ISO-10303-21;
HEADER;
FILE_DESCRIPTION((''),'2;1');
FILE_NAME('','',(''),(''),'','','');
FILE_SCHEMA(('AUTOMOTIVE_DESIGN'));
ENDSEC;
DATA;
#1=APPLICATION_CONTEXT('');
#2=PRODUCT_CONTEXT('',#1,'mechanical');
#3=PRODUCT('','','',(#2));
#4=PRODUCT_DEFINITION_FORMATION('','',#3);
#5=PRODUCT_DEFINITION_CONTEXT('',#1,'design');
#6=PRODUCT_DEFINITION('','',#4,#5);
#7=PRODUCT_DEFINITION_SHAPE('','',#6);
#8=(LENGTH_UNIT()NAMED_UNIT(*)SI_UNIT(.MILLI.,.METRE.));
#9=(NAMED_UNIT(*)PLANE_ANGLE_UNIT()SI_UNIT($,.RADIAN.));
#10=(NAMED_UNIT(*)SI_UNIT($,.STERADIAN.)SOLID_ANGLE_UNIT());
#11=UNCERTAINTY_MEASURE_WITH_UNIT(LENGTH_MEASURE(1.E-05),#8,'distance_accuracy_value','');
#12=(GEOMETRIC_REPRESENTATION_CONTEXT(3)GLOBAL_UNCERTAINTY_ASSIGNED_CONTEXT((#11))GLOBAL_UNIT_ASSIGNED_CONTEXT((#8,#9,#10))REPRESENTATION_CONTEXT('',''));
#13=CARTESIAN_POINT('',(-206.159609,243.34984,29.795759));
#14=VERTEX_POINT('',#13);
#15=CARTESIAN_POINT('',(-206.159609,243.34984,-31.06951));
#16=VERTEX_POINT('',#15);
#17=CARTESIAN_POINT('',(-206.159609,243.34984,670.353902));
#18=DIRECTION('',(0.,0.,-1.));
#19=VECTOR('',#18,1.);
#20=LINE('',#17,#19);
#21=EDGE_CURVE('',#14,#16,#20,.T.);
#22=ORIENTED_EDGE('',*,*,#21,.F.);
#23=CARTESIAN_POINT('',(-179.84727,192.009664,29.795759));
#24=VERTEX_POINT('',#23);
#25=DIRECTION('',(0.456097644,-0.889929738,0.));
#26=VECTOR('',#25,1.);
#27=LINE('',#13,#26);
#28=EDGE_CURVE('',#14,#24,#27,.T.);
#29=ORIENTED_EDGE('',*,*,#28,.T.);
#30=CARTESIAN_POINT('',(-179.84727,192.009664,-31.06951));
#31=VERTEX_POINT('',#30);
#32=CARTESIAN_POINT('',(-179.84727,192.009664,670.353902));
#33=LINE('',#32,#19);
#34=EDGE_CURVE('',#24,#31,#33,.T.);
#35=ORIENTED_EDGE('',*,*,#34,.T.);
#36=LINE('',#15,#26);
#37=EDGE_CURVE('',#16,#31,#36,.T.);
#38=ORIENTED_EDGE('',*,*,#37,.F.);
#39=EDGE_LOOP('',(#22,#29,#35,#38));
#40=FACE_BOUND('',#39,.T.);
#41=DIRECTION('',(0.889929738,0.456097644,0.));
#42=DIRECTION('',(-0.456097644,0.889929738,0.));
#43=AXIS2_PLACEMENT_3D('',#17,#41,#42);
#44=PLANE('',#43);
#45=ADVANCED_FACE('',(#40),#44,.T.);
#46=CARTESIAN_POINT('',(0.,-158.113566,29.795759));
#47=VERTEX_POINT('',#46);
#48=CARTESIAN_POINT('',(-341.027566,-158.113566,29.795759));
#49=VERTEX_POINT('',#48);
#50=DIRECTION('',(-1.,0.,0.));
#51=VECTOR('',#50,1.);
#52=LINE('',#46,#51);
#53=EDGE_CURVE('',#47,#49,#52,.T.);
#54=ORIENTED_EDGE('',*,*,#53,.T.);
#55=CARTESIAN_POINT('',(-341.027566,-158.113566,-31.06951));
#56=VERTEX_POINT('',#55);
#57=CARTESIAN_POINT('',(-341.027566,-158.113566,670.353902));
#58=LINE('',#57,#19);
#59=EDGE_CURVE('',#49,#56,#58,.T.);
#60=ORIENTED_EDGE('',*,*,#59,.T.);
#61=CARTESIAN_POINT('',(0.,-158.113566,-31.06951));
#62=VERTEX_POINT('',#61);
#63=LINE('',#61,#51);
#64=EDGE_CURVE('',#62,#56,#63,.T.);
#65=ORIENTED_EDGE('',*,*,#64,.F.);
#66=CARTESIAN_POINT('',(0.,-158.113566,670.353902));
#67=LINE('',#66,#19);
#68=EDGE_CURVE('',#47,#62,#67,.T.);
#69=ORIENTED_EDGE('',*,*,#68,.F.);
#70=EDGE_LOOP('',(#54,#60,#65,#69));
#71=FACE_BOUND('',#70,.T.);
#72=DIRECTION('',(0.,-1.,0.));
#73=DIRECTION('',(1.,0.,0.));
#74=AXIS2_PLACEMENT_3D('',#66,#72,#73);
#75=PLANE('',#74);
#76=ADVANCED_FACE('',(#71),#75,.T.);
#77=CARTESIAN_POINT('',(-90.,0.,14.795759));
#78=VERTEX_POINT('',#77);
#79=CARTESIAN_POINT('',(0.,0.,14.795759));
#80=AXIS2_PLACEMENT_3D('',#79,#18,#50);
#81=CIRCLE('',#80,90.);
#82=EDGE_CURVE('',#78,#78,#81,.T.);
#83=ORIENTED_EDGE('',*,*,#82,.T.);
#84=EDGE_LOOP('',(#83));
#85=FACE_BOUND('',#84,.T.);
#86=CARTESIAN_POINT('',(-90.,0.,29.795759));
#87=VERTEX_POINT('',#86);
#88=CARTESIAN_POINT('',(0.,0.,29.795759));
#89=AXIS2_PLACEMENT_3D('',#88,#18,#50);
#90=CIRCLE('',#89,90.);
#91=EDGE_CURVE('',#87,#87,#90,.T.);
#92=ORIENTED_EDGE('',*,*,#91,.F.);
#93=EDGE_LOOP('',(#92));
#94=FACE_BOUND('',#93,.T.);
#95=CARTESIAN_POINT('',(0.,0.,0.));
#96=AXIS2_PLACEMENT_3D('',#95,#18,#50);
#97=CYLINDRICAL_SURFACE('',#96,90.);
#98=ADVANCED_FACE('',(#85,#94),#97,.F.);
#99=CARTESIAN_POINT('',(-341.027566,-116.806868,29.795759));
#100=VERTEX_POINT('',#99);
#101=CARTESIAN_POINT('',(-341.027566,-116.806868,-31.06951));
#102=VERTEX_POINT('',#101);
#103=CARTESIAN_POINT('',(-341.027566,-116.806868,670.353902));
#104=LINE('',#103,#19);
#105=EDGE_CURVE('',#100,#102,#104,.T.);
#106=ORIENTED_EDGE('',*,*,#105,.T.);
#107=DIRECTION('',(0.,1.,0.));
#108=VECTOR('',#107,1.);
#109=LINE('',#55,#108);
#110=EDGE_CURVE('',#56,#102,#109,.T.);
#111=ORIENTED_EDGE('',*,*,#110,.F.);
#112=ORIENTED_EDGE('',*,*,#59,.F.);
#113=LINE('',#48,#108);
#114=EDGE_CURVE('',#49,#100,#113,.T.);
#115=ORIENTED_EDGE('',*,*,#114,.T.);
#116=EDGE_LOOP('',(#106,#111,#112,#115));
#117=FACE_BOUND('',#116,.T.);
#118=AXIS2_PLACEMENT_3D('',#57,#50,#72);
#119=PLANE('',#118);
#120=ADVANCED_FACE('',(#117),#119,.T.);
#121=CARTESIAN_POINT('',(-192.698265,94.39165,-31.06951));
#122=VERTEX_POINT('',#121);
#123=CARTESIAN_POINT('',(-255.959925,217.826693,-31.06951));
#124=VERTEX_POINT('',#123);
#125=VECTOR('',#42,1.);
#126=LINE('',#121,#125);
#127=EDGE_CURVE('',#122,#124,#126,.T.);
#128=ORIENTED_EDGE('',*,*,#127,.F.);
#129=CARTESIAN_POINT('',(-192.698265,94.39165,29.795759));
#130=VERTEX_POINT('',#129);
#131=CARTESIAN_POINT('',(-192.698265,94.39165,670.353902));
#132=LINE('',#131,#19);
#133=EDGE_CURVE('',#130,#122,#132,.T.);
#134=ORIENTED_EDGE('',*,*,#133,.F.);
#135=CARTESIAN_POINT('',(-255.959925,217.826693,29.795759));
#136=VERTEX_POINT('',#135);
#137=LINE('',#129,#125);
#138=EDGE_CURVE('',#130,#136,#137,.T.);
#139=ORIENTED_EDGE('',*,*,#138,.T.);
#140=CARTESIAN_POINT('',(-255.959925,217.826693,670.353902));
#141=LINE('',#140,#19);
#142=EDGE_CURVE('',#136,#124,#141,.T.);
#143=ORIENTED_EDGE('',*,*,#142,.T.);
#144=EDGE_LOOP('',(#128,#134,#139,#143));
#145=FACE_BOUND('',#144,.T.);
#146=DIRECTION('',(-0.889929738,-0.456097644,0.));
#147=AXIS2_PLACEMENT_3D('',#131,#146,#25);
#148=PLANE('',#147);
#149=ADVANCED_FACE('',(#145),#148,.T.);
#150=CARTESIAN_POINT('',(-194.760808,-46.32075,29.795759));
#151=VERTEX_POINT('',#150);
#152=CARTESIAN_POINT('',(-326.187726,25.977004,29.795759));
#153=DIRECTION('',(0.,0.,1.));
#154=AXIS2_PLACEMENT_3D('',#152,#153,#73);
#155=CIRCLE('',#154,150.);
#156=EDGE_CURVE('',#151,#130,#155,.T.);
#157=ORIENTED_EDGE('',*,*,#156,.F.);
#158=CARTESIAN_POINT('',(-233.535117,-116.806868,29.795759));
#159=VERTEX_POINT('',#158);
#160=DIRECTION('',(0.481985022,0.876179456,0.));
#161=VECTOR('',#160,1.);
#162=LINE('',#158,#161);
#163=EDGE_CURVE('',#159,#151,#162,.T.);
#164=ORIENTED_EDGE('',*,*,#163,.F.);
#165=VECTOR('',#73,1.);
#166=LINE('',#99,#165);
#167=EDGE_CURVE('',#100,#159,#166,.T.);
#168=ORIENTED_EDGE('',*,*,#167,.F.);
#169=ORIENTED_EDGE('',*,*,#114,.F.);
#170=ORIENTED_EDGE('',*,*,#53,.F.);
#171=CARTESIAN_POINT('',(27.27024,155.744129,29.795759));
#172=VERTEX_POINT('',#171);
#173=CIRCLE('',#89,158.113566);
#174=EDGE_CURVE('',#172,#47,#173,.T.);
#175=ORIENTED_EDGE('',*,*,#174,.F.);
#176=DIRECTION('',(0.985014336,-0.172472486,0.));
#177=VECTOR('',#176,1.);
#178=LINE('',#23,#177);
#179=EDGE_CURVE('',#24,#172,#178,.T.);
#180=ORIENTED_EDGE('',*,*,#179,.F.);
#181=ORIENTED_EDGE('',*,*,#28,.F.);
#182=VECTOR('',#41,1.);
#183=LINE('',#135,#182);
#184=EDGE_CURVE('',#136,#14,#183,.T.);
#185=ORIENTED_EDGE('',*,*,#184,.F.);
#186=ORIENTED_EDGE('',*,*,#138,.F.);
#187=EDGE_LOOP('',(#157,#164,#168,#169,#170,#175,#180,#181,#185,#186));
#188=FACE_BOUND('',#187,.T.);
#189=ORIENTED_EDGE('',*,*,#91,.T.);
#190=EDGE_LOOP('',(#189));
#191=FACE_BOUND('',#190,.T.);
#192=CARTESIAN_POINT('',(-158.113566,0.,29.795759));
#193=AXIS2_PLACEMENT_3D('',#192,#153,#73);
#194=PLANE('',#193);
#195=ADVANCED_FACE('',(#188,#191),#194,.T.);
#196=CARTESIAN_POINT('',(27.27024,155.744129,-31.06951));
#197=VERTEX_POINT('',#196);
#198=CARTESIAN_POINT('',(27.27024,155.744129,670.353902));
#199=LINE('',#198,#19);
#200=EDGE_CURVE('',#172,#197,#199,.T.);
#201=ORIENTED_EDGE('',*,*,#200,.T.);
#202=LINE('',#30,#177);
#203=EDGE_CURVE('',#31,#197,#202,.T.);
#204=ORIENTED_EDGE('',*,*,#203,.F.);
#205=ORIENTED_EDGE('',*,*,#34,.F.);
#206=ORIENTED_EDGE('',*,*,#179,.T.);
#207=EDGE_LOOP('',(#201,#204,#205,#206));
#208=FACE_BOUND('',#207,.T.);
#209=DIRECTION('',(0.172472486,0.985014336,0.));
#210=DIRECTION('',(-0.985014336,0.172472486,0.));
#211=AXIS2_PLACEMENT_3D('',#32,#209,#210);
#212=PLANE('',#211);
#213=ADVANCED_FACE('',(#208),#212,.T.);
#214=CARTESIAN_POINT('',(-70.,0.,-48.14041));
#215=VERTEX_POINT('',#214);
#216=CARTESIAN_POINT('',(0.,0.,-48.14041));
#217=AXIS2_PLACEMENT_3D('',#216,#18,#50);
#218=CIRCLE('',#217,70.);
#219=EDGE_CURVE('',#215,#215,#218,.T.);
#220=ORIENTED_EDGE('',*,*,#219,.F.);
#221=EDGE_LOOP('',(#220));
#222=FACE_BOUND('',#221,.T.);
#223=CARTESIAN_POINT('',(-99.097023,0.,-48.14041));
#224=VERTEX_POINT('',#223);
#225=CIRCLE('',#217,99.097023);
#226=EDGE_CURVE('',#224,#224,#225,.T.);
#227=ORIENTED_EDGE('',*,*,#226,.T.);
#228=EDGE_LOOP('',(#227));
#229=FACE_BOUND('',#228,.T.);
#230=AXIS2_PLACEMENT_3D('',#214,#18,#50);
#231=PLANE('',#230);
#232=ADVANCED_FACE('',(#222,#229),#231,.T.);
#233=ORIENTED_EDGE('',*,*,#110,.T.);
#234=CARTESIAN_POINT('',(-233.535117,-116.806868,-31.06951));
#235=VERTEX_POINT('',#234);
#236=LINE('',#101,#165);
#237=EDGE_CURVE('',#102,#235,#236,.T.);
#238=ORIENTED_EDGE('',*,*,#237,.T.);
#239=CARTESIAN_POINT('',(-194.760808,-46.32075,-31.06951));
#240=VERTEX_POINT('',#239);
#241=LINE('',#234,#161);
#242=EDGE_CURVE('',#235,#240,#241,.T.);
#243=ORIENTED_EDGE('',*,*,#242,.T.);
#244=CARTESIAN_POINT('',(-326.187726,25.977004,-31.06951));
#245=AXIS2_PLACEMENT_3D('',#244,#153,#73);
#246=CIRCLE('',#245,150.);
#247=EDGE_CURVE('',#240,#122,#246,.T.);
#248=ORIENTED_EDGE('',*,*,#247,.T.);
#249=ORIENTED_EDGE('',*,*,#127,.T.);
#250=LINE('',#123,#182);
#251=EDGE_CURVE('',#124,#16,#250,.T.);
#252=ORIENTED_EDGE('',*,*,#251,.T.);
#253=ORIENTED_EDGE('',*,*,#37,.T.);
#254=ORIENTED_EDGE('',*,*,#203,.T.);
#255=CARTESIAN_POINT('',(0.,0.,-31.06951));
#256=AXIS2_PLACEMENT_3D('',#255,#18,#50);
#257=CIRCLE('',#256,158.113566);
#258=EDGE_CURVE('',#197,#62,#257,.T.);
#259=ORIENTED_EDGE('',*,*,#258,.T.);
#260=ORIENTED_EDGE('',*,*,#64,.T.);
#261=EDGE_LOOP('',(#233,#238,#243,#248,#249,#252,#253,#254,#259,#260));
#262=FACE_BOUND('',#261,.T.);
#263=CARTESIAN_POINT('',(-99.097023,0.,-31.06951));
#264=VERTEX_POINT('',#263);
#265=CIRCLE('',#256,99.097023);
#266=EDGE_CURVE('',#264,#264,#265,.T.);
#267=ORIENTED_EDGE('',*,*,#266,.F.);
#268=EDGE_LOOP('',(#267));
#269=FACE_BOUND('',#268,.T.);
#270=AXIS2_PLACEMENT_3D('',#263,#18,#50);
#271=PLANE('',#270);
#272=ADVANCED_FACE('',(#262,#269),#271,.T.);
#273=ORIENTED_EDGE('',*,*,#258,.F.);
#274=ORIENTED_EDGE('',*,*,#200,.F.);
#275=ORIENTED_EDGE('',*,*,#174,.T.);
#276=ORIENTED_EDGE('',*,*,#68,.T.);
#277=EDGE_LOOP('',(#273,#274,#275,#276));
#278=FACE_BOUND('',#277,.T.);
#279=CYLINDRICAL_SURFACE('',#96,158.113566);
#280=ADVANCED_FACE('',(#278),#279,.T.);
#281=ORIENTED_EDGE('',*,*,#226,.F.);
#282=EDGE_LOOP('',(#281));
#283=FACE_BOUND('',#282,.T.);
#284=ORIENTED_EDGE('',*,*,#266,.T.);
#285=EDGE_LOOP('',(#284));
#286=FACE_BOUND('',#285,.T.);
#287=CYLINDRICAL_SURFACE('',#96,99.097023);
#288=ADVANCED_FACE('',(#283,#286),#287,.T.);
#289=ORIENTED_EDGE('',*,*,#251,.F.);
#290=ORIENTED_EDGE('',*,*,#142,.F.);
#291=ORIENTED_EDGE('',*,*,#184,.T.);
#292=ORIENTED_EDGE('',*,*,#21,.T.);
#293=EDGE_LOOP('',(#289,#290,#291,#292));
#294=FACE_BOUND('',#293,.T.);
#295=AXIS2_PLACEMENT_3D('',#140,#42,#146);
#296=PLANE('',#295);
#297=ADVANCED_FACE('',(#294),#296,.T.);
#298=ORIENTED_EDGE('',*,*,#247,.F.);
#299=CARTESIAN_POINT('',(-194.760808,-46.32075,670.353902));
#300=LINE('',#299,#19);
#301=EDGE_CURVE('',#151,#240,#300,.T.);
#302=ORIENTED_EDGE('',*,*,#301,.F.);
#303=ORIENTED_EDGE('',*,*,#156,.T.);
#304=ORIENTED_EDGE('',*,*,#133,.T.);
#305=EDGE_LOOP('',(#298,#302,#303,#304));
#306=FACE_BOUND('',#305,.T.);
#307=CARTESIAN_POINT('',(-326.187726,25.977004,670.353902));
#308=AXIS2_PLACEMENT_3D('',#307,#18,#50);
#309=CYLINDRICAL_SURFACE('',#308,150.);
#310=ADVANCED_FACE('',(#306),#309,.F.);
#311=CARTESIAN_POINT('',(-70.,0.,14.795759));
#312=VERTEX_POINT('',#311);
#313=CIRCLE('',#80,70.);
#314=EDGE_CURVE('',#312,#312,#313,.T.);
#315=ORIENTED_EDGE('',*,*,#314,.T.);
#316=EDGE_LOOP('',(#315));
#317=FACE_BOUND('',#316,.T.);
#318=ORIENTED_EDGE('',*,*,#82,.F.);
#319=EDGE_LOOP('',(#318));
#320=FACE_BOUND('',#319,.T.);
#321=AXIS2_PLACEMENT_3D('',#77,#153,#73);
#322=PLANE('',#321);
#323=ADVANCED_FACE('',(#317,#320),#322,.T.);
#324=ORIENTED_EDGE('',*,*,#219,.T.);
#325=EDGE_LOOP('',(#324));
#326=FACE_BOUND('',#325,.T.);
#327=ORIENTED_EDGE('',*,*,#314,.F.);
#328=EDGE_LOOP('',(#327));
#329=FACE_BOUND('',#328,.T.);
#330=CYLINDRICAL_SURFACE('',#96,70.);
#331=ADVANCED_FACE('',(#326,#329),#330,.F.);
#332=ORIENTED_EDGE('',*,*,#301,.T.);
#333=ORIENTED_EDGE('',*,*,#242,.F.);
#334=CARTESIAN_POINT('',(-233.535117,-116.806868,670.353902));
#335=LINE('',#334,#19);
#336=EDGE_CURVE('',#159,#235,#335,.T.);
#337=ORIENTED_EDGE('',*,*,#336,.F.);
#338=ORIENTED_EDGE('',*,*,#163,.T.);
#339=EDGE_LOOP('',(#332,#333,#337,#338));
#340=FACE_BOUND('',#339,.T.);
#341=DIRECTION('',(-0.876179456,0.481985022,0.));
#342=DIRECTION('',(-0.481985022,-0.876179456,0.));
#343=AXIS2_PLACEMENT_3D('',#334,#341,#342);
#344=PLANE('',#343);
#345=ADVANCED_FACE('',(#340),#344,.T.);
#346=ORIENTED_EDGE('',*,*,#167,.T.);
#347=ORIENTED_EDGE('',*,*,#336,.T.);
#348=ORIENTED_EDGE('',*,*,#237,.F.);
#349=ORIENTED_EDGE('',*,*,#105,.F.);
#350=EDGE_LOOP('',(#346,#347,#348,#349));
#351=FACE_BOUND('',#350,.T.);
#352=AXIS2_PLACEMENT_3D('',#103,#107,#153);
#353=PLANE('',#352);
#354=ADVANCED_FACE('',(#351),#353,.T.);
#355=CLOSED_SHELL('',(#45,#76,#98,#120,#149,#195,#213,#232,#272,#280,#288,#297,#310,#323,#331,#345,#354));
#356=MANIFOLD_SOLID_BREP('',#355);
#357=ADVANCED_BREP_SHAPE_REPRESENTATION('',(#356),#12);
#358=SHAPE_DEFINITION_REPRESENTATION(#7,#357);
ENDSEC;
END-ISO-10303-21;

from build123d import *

# Parameters (mm, degrees)
SKETCH2_R           = 90
BOSS_EXTRUDE1_DEPTH = 60.865268403


with BuildPart() as part:
    # Sketch1 → Revolve1 (revolve)
    with BuildSketch(Plane(origin=(0, 0, 0), x_dir=(1, 0, 0), z_dir=(0, 1, 0))):
        Polygon((-90, -29.79575879), (-90, -14.79575879), (-70, -14.79575879), (-70, 48.140410311), (-99.097023169, 48.140410311), (-99.097023169, 31.069509613), (-158.113565582, 31.069509613), (-158.113565582, -29.79575879), align=None)
    revolve(axis=Axis((0, 0, 0), (0, 0, 1)))

    # Sketch2 → Boss-Extrude1 (add)
    with BuildSketch(Plane(origin=(0, 0, -31.069509613), x_dir=(-1, 0, 0), z_dir=(0, 0, -1))):
        with BuildLine():
            Line((0, -158.113565582), (341.027566012, -158.113565582))
            Line((341.027566012, -158.113565582), (341.027566012, -116.806868092))
            Line((341.027566012, -116.806868092), (233.535117418, -116.806868092))
            Line((233.535117418, -116.806868092), (194.760807878, -46.320749515))
            ThreePointArc((194.760807878, -46.320749515), (176.203837582, 23.778561234), (192.69826547, 94.391650408))
            Line((192.69826547, 94.391650408), (255.959925105, 217.8266932))
            Line((255.959925105, 217.8266932), (206.159608852, 243.349839506))
            Line((206.159608852, 243.349839506), (179.847269567, 192.009663729))
            Line((179.847269567, 192.009663729), (-27.270239804, 155.744128756))
            ThreePointArc((-27.270239804, 155.744128756), (-157.520092587, -13.686491605), (0, -158.113565582))
        make_face()
        Circle(SKETCH2_R, mode=Mode.SUBTRACT)
    extrude(amount=-BOSS_EXTRUDE1_DEPTH)


solid = part.part
